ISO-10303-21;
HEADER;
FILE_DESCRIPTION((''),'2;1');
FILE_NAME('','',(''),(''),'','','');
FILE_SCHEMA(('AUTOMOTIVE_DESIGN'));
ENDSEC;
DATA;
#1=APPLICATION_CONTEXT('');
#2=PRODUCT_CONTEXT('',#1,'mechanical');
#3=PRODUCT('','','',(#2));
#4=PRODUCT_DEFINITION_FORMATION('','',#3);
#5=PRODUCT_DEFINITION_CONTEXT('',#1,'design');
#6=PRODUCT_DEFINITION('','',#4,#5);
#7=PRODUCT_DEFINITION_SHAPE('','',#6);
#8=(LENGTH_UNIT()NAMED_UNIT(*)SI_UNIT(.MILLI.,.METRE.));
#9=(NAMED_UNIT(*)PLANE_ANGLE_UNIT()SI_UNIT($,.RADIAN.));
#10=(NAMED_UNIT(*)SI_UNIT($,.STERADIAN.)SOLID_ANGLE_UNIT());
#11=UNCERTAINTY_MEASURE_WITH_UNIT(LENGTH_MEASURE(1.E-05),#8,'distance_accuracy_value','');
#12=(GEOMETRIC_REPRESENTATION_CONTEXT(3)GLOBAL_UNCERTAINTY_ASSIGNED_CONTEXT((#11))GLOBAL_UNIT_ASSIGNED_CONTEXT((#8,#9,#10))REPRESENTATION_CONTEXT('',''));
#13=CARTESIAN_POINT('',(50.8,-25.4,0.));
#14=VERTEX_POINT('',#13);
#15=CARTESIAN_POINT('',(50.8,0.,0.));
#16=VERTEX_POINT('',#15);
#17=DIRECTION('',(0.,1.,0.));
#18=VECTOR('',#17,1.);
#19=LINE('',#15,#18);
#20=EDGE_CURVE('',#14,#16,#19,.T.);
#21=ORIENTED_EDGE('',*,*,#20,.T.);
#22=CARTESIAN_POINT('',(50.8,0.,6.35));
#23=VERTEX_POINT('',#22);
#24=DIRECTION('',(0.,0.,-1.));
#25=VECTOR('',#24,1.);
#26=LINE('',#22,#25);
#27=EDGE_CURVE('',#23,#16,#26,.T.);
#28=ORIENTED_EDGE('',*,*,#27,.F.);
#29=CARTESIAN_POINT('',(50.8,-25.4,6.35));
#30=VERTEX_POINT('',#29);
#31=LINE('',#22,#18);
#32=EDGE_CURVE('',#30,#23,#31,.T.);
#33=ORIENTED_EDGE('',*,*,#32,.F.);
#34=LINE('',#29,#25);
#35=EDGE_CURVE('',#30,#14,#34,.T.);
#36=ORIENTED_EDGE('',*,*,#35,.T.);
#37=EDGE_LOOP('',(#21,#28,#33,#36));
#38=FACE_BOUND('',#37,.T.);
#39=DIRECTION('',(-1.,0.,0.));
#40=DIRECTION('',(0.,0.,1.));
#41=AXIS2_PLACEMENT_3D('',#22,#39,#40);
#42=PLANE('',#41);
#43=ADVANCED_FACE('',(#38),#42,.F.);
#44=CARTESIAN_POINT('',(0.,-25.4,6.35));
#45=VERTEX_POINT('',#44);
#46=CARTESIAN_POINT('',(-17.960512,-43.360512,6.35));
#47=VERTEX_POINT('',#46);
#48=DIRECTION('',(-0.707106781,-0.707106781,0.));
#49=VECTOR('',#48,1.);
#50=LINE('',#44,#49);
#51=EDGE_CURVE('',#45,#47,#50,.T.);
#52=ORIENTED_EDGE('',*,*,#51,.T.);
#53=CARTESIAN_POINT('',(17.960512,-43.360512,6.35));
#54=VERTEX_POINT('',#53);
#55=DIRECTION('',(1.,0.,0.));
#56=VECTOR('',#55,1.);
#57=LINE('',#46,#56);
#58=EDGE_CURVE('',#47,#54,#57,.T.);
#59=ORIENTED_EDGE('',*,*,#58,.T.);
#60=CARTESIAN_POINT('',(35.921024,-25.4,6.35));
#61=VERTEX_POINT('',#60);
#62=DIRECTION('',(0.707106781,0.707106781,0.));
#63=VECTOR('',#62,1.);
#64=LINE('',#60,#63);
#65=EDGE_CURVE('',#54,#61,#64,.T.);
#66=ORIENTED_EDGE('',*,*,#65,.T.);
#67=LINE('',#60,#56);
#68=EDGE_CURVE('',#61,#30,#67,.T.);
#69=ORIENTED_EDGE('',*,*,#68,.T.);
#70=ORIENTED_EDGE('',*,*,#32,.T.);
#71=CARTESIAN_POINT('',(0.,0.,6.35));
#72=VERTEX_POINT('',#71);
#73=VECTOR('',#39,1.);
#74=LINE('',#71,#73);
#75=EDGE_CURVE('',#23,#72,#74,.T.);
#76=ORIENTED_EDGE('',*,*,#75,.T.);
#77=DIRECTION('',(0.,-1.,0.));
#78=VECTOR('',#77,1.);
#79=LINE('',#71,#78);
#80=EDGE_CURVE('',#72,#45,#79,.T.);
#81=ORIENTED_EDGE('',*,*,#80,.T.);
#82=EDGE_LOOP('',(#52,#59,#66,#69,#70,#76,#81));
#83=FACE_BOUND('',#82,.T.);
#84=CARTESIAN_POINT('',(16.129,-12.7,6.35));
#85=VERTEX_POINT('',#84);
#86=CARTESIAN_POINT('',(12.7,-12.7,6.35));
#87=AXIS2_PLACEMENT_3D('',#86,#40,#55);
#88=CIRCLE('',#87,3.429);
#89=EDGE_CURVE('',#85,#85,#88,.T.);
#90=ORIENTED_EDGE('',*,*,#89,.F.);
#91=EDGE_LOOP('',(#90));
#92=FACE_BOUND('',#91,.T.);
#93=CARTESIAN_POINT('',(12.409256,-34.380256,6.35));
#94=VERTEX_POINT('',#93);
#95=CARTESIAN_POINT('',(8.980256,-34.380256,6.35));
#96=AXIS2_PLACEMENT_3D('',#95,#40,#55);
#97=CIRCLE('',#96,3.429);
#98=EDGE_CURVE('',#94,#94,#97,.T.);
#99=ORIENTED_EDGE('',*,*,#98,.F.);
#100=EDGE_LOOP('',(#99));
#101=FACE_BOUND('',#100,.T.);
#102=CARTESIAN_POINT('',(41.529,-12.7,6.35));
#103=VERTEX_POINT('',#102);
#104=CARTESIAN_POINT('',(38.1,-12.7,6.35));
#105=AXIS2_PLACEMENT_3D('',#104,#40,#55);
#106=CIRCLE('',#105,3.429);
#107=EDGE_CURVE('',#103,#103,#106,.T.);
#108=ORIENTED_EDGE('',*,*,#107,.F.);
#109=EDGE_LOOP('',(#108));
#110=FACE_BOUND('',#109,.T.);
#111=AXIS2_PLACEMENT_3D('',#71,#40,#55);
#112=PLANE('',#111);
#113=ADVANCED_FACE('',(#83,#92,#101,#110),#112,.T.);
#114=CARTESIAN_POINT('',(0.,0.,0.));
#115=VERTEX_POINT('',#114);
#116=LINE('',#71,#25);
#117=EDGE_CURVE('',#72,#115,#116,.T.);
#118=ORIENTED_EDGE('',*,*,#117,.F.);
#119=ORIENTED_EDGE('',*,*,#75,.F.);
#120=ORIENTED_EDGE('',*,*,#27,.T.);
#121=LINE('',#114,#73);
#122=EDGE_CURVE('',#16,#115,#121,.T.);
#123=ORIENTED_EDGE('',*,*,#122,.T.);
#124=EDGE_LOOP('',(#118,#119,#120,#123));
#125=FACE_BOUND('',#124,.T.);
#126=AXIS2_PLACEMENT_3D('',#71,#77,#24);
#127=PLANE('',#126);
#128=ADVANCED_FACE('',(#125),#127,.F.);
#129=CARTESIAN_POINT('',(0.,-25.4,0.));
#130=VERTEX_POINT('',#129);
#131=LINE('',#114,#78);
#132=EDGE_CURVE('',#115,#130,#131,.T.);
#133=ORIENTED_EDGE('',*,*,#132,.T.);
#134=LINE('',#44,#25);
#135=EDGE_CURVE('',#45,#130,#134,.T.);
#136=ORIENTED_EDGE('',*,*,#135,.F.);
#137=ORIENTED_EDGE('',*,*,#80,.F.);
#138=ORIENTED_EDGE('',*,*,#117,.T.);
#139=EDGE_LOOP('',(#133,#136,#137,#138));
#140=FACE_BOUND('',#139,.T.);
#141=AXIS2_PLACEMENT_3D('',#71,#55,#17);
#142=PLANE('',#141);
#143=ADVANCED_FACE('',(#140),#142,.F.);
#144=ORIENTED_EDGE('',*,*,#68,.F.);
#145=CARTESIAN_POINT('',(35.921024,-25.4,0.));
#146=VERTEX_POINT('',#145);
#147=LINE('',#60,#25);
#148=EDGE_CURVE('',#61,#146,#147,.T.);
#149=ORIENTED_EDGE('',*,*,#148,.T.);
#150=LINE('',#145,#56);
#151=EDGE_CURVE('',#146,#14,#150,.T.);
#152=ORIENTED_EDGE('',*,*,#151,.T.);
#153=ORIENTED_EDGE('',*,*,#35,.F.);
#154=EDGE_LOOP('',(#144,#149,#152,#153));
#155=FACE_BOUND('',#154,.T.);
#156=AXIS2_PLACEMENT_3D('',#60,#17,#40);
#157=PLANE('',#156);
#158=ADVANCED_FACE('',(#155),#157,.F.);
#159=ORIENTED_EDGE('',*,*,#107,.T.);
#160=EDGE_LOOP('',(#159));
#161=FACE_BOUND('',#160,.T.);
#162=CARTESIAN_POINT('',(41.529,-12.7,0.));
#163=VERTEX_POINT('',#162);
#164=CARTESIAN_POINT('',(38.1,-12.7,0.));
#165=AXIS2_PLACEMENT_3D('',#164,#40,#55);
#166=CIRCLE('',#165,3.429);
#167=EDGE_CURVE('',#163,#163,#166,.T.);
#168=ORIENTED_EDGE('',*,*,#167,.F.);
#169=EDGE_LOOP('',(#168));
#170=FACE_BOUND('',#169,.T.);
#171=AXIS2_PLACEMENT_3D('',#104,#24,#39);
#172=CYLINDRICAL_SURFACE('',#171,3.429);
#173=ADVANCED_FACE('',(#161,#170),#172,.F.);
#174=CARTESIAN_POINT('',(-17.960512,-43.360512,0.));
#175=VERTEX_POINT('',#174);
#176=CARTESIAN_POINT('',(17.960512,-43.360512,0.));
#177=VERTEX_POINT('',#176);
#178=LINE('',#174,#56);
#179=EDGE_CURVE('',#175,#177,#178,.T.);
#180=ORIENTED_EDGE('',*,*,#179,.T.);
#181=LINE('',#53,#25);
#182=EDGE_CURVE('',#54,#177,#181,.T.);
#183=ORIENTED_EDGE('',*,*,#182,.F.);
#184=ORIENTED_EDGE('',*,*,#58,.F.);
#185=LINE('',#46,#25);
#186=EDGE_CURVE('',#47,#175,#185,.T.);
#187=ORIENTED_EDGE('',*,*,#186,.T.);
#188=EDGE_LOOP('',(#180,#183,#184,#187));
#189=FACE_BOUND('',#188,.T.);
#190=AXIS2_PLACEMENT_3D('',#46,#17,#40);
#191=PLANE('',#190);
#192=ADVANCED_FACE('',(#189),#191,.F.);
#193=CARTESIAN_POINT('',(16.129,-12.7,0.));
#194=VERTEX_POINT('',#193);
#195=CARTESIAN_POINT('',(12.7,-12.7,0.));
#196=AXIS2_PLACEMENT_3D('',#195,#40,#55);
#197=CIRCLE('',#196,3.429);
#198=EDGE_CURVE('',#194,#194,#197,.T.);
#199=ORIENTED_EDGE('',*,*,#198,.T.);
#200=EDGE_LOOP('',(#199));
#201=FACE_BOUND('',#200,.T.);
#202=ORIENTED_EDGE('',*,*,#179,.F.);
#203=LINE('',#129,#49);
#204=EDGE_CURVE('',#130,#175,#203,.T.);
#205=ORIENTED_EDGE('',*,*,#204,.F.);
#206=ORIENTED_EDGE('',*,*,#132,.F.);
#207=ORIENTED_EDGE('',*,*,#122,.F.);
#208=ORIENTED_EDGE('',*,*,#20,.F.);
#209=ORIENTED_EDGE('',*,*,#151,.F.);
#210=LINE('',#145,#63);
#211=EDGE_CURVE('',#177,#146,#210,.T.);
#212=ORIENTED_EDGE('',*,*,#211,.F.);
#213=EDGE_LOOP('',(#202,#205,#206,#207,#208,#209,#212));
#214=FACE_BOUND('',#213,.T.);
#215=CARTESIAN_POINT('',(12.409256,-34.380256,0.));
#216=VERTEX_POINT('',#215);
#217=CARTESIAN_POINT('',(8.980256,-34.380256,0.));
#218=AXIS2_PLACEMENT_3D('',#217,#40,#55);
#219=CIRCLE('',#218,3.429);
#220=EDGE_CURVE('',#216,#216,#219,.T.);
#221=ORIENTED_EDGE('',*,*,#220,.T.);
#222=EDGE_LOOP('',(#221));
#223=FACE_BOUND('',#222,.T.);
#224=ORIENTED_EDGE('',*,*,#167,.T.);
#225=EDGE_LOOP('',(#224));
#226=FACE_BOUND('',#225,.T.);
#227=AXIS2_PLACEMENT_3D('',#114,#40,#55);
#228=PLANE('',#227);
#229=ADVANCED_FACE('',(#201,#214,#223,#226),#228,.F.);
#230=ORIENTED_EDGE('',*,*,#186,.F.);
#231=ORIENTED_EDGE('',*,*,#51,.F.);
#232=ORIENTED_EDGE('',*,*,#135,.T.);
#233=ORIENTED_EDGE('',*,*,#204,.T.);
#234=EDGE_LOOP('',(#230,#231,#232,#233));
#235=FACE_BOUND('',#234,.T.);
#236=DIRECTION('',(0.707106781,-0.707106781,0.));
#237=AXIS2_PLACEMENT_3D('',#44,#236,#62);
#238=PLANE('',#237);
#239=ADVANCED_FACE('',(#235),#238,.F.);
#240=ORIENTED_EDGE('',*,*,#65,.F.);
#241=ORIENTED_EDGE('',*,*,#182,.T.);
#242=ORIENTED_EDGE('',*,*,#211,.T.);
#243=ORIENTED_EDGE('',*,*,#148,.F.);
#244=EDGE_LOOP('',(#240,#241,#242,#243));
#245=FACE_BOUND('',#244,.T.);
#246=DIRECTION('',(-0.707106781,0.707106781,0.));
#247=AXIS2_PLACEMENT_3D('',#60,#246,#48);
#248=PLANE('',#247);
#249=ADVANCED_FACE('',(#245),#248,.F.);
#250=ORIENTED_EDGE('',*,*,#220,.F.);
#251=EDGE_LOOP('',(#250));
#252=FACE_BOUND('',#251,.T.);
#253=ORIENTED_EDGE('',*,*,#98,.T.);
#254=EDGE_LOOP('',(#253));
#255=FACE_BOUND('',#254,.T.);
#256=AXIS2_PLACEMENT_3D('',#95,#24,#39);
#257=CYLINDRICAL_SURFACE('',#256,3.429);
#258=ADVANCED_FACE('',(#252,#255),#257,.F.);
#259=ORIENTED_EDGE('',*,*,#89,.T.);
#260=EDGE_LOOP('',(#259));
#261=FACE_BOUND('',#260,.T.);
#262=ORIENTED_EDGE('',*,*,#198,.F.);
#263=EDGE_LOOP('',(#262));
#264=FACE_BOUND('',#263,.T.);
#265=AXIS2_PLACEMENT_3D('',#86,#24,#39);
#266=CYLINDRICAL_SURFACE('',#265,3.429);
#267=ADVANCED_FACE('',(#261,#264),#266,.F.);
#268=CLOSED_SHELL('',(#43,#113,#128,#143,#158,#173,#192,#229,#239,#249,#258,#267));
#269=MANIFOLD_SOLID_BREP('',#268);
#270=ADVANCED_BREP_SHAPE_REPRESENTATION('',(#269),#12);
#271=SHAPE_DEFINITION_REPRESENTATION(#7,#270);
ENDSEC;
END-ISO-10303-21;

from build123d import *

# Parameters (mm, degrees)
SKETCH1_R           = 3.429
BOSS_EXTRUDE1_DEPTH = 6.35


with BuildPart() as part:
    # Sketch1 → Boss-Extrude1 (new body)
    with BuildSketch(Plane.XY):
        Polygon((35.921024484, -25.4), (17.960512242, -43.360512242), (-17.960512242, -43.360512242), (0, -25.4), (0, 0), (50.8, 0), (50.8, -25.4), align=None)
        with Locations((12.7, -12.7)):
            Circle(SKETCH1_R, mode=Mode.SUBTRACT)
        with Locations((38.1, -12.7)):
            Circle(SKETCH1_R, mode=Mode.SUBTRACT)
        with Locations((8.980256121, -34.380256121)):
            Circle(SKETCH1_R, mode=Mode.SUBTRACT)
    extrude(amount=BOSS_EXTRUDE1_DEPTH)


solid = part.part
